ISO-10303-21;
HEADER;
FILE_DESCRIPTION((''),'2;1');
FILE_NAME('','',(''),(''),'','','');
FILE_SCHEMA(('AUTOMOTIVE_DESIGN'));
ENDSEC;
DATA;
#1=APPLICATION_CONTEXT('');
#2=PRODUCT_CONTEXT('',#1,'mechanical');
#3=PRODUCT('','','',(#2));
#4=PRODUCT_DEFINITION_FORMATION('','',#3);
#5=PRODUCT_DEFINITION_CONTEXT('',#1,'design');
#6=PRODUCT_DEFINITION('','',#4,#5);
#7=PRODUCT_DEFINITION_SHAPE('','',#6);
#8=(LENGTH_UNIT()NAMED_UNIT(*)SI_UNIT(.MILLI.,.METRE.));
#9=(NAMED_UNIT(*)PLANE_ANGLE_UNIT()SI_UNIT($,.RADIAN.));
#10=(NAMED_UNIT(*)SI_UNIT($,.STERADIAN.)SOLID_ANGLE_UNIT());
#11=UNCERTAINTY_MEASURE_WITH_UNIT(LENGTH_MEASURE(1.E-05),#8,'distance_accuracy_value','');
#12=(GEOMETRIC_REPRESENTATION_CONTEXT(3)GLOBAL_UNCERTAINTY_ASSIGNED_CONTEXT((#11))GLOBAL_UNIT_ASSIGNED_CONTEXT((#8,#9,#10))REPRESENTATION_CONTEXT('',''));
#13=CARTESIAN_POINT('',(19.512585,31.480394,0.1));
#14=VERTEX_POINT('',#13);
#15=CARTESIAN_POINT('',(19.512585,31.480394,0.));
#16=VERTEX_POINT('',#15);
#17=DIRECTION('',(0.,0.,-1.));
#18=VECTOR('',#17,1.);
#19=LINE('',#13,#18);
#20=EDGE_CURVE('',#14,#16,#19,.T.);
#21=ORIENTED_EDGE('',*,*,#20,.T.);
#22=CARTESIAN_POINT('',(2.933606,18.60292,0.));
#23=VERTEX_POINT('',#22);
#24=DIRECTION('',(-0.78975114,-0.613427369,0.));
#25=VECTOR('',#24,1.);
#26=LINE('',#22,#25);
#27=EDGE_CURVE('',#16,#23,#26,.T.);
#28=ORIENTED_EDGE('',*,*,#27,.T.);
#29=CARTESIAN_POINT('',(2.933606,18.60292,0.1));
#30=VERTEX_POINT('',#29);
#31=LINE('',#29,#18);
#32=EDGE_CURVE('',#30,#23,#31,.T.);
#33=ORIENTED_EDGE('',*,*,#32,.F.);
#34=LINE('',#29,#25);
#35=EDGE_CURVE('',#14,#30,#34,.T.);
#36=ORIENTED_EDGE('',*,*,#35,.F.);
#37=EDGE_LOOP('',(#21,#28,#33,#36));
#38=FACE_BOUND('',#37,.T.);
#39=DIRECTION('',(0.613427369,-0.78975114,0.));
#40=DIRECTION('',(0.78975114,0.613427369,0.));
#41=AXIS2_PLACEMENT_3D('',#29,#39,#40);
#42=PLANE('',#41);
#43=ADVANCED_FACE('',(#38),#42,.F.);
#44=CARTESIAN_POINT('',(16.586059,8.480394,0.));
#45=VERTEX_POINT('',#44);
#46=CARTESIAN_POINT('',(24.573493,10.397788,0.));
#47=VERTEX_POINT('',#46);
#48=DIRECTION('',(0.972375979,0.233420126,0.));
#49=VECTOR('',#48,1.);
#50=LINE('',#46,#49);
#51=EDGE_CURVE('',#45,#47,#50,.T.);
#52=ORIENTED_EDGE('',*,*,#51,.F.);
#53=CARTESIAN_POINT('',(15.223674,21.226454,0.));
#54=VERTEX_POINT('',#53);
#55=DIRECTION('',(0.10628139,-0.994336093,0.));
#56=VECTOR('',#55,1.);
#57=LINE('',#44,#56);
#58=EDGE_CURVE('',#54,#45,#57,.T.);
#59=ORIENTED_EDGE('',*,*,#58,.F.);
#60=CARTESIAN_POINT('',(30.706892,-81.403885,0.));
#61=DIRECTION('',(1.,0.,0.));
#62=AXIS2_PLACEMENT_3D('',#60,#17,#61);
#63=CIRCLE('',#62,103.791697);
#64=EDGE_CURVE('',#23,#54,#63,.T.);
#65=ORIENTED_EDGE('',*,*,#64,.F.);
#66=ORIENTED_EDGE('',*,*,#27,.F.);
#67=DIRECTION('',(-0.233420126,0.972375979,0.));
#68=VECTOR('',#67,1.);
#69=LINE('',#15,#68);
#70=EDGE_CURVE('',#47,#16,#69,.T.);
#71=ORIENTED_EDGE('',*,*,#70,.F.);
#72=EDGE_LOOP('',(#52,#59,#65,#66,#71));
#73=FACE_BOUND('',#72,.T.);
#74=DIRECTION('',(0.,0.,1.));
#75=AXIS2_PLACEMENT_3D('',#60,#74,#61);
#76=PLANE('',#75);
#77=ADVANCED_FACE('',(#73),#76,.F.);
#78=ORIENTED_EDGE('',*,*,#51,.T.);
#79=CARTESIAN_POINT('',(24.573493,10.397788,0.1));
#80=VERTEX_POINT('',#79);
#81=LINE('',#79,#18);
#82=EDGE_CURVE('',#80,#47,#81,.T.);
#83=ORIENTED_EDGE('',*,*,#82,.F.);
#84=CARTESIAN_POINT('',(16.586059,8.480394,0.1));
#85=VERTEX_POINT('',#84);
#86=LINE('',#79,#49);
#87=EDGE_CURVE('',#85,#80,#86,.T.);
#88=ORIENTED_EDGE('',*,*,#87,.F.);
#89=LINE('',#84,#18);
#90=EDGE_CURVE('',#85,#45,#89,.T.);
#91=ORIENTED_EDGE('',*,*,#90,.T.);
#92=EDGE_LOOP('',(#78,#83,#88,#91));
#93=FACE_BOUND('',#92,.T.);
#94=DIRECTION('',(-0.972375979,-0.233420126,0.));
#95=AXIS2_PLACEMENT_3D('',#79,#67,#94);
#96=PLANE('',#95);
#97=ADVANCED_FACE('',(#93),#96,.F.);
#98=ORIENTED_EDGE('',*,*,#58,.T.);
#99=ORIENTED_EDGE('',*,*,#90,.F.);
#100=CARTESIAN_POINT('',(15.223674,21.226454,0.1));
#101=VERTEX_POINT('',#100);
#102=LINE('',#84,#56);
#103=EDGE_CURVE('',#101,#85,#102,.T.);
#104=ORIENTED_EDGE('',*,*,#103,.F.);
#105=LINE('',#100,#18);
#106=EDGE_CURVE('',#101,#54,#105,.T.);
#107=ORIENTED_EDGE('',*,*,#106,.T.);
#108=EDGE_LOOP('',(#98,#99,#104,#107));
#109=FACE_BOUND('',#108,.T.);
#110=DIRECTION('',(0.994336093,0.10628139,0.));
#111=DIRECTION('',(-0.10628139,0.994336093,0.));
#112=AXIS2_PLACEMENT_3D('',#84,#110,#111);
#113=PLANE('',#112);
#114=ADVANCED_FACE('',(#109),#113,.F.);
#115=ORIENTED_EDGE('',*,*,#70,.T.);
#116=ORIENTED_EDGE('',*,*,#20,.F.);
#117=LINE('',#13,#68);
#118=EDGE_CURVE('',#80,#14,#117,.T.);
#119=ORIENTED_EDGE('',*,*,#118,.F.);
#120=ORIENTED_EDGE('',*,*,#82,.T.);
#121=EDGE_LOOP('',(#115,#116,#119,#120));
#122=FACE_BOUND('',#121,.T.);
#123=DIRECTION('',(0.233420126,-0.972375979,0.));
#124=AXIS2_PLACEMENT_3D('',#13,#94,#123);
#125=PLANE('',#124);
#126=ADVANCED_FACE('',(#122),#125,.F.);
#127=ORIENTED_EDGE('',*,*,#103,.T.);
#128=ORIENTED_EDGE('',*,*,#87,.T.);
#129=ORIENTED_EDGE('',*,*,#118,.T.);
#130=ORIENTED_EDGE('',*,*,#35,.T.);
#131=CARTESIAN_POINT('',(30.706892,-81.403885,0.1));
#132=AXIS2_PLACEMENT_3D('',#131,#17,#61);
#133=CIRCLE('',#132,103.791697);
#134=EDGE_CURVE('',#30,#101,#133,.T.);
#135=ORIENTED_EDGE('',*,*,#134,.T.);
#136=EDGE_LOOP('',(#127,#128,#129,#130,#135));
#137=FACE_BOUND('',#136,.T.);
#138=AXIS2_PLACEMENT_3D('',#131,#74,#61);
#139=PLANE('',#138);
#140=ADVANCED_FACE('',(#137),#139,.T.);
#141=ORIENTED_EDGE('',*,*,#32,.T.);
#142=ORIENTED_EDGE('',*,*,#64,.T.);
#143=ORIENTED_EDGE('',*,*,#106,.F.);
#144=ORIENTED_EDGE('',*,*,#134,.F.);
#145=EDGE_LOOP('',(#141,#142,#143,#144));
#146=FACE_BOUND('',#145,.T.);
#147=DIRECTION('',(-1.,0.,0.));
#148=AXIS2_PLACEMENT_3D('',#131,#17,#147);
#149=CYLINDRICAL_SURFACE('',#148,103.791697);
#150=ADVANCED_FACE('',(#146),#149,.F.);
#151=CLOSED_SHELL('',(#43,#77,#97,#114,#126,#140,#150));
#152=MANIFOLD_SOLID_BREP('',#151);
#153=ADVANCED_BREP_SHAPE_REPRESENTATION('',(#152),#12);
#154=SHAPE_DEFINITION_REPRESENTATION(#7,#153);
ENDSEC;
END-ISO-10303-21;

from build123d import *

# Parameters (mm, degrees)
SALIENTE_EXTRUIR1_DEPTH = 0.1


with BuildPart() as part:
    # Model → Saliente-Extruir1 (new body)
    with BuildSketch(Plane.XY):
        with BuildLine():
            Line((24.573492595, 10.397787824), (16.586059329, 8.480394017))
            Line((16.586059329, 8.480394017), (15.223673977, 21.22645362))
            ThreePointArc((15.223673977, 21.22645362), (9.038896644, 20.100865764), (2.933605753, 18.6029199))
            Line((2.933605753, 18.6029199), (19.512585392, 31.480394017))
            Line((19.512585392, 31.480394017), (24.573492595, 10.397787824))
        make_face()
    extrude(amount=SALIENTE_EXTRUIR1_DEPTH)


solid = part.part
